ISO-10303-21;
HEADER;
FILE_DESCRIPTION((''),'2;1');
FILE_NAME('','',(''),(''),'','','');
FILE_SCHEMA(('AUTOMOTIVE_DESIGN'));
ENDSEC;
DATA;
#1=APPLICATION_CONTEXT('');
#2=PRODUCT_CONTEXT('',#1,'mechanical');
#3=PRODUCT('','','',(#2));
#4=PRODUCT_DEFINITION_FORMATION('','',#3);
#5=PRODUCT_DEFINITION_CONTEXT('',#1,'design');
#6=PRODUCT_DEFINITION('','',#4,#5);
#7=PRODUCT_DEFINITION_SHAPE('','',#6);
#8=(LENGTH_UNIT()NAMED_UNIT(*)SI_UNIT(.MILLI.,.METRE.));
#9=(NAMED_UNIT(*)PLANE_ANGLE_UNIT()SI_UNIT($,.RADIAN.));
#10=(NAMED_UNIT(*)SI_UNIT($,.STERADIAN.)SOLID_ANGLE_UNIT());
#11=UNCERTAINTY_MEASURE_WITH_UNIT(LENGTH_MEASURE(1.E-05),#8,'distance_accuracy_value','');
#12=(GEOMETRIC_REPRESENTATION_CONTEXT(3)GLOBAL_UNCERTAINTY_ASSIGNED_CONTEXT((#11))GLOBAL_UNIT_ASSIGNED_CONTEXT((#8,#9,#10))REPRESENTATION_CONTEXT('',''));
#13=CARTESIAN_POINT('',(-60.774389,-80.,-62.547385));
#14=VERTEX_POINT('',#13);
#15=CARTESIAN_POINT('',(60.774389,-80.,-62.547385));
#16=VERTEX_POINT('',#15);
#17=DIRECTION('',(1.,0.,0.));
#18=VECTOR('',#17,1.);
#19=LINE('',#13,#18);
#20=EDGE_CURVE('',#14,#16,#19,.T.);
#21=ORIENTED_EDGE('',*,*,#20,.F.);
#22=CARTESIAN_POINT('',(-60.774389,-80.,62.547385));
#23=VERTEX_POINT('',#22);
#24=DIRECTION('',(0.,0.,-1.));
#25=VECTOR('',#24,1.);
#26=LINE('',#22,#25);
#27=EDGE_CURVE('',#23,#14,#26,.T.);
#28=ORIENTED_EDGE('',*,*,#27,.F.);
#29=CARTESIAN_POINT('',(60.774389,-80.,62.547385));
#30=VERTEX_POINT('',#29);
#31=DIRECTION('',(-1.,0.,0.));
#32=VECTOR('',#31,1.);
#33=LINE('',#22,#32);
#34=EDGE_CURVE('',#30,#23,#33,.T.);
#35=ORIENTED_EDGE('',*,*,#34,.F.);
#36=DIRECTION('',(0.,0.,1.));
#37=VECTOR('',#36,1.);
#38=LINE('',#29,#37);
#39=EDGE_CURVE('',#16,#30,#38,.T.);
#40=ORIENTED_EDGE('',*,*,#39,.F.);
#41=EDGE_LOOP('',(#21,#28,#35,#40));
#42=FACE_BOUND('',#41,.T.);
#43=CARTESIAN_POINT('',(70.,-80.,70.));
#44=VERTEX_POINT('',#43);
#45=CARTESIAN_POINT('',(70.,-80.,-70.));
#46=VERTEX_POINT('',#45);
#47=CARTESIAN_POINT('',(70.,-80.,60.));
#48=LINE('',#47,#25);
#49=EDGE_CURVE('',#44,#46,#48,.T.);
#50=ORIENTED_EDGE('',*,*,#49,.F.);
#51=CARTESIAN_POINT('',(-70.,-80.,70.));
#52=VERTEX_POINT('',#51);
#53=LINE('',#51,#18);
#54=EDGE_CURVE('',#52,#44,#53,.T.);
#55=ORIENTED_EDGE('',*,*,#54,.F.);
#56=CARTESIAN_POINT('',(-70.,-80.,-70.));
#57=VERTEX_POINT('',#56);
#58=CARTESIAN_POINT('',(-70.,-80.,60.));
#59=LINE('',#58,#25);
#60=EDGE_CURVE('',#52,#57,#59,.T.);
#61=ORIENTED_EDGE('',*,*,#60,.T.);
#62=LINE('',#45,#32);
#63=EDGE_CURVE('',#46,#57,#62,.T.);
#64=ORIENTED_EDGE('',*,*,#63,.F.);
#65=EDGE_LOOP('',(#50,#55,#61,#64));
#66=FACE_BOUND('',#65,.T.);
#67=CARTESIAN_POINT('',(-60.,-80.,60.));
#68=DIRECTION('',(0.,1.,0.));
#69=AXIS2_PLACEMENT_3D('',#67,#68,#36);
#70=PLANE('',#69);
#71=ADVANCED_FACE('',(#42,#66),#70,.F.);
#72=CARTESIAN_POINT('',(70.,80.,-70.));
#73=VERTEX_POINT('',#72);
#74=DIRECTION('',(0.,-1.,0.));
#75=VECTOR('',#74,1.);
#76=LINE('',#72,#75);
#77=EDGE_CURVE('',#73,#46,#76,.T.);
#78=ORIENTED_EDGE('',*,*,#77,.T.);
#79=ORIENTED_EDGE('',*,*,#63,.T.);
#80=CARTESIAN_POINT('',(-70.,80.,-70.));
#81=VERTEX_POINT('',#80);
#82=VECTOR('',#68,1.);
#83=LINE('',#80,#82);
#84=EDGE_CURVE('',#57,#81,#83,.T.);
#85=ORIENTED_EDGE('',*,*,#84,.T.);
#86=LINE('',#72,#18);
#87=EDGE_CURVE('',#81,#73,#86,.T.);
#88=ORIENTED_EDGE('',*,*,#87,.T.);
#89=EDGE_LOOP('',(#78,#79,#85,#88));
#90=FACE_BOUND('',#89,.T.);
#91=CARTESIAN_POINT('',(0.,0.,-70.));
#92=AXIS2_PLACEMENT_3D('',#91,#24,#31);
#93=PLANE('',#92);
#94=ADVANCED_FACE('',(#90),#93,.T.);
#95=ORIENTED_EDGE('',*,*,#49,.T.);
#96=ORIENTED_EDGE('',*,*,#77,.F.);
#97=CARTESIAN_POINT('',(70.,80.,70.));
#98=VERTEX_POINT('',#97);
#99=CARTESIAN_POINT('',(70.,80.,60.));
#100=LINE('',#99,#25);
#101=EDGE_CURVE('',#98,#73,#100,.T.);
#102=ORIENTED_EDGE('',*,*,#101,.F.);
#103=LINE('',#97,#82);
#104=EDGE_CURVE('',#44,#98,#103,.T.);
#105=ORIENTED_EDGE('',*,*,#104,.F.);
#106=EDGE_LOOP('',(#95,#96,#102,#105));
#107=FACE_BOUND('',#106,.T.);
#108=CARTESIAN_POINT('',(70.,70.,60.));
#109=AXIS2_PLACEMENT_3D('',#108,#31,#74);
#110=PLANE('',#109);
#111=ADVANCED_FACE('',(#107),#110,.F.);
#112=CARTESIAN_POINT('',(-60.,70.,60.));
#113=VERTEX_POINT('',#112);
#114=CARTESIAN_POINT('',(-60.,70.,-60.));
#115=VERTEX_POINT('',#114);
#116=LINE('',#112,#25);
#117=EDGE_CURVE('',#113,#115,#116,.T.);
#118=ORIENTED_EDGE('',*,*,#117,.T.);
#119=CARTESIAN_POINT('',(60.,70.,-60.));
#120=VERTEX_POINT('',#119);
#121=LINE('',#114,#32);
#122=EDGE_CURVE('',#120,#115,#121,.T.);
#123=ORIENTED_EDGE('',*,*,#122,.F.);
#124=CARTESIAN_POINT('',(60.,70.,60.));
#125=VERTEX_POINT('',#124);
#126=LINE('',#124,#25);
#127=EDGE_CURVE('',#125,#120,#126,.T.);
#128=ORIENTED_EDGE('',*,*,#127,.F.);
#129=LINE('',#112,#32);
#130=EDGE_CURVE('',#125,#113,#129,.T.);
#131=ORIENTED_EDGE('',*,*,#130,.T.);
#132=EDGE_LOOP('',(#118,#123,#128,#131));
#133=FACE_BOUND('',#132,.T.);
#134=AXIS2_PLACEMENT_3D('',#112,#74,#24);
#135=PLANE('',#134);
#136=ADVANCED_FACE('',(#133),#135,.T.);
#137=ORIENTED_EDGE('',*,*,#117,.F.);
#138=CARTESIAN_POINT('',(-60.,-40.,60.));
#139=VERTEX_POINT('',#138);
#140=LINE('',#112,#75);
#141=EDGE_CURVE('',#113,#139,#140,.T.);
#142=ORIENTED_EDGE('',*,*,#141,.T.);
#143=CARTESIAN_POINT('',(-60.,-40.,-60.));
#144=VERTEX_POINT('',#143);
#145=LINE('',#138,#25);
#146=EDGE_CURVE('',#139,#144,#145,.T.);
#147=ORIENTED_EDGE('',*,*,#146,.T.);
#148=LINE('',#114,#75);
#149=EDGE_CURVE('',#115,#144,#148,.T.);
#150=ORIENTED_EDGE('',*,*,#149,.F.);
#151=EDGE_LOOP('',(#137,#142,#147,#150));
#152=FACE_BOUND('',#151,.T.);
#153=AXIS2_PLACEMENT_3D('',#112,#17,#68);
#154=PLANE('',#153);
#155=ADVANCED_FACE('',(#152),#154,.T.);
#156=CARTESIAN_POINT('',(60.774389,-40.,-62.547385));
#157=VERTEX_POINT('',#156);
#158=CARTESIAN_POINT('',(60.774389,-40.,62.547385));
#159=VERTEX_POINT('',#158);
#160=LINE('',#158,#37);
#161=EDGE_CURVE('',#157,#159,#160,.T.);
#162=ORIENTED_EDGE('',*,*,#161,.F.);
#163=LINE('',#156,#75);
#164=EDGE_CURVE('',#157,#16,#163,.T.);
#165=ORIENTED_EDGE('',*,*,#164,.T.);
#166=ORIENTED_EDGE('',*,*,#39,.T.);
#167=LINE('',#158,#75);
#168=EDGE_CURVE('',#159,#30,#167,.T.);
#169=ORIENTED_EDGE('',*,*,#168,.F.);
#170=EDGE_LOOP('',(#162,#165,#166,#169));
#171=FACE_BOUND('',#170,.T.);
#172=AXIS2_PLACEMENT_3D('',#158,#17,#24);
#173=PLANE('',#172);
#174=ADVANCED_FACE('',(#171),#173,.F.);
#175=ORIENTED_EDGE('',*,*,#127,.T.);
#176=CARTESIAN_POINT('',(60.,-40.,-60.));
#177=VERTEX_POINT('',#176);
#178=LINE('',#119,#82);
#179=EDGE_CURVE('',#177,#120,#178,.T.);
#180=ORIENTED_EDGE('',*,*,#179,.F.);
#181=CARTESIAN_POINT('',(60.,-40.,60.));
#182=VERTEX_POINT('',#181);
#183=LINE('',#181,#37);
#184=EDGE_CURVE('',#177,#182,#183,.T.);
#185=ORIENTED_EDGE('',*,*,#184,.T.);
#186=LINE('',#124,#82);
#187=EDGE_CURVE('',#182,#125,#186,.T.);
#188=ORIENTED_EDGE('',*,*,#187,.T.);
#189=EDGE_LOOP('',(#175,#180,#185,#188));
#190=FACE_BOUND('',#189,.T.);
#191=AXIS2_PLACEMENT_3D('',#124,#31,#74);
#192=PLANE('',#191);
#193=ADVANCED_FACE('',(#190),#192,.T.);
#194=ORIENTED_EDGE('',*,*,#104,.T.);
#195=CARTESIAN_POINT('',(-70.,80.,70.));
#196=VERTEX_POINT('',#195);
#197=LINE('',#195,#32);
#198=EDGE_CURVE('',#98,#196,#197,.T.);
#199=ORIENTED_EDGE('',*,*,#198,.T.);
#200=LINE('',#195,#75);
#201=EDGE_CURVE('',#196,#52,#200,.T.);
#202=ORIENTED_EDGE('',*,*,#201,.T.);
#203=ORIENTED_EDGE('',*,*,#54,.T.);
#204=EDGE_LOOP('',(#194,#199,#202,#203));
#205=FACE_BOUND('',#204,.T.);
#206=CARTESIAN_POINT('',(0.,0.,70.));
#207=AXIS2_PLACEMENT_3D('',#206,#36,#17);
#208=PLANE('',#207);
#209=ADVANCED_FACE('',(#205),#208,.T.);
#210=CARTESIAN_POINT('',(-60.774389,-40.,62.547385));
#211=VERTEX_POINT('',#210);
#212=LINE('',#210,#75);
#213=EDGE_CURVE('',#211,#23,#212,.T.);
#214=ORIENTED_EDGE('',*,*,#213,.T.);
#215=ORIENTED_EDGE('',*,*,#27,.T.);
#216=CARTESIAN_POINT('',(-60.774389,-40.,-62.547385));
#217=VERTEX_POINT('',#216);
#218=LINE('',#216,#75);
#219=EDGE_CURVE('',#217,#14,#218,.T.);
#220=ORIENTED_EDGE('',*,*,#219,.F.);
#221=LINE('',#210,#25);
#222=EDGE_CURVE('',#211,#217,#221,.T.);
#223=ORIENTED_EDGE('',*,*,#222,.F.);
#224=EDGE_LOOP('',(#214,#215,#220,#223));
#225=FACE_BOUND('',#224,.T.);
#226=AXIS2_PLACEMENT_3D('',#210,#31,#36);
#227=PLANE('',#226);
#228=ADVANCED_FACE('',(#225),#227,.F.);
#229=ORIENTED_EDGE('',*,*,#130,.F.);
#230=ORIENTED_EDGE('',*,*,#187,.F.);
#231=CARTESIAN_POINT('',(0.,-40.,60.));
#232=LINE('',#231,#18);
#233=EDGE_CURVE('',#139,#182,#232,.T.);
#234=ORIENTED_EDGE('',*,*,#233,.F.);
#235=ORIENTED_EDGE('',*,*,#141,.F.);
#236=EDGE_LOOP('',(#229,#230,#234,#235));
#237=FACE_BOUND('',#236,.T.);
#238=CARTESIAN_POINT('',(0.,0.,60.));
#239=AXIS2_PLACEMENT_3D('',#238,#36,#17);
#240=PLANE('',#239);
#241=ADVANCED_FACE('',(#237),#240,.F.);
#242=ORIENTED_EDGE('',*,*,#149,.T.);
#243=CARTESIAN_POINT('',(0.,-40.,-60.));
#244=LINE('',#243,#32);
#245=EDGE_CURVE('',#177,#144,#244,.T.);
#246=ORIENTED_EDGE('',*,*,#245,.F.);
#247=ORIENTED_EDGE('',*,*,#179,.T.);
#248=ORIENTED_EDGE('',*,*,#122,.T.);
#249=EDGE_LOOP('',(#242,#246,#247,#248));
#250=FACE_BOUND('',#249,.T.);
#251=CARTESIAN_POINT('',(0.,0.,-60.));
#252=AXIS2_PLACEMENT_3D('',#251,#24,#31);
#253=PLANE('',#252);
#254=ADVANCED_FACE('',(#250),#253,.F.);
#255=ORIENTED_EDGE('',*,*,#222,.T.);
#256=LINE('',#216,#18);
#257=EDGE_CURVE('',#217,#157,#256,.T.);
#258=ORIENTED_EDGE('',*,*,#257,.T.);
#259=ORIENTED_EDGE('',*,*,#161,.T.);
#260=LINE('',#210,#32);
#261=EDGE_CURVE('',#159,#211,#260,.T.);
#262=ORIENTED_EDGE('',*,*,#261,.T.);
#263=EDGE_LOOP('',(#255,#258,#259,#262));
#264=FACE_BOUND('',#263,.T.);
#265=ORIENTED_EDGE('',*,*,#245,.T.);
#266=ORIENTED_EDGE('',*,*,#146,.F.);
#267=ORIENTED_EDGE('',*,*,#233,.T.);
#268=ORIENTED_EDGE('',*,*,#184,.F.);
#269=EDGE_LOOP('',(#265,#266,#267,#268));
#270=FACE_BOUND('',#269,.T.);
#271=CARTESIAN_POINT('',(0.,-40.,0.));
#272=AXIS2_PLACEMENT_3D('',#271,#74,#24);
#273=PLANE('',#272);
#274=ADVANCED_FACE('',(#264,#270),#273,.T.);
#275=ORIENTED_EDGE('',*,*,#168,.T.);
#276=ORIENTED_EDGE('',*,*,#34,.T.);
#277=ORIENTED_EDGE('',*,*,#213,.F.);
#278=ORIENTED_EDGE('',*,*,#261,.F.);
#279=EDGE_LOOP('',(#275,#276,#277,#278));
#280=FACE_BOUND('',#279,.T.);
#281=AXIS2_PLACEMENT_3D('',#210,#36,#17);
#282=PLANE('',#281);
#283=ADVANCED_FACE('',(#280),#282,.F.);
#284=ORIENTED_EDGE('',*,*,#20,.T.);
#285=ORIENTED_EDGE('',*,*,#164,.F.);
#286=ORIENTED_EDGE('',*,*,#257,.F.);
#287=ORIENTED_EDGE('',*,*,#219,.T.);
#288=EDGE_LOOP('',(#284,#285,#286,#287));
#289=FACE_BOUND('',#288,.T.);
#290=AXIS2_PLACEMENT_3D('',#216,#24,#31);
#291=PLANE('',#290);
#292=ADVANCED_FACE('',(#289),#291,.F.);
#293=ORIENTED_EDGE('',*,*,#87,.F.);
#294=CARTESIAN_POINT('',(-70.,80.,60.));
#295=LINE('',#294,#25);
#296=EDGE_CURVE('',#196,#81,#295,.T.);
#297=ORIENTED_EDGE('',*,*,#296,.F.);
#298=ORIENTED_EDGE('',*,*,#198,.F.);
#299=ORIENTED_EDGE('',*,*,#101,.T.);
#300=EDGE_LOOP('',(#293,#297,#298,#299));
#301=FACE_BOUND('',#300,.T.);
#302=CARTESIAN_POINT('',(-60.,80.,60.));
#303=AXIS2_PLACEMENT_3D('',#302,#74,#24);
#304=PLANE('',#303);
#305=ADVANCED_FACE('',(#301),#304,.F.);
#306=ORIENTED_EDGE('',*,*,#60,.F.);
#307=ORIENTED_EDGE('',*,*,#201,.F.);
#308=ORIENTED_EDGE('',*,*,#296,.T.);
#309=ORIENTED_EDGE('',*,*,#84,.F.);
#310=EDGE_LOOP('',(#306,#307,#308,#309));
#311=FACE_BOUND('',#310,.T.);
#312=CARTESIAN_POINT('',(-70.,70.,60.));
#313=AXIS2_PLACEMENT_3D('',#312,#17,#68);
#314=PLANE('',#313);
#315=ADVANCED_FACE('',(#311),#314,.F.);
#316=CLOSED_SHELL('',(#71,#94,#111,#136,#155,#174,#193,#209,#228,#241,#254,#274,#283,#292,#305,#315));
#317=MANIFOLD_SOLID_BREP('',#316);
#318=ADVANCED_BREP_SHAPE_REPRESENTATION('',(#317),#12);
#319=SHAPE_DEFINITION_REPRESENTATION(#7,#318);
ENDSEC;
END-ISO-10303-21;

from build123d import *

# Parameters (mm, degrees)
SKETCH1_W           = 140
SKETCH1_H           = 160
SKETCH1_W_2         = 120
SKETCH1_H_2         = 140
EXTRUDE_THIN1_DEPTH = 60
SKETCH2_W           = 140
SKETCH2_H           = 160
BOSS_EXTRUDE1_DEPTH = 10
SKETCH5_W           = 140
SKETCH5_H           = 160
BOSS_EXTRUDE2_DEPTH = 10
SKETCH7_W           = 121.54877743
SKETCH7_H           = 125.094770936
CUT_EXTRUDE2_DEPTH  = 40


with BuildPart() as part:
    # Sketch1 → Extrude-Thin1 (new, symmetric)
    with BuildSketch(Plane.XY):
        Rectangle(SKETCH1_W, SKETCH1_H)
        Rectangle(SKETCH1_W_2, SKETCH1_H_2, mode=Mode.SUBTRACT)
    extrude(amount=EXTRUDE_THIN1_DEPTH, both=True)

    # Sketch2 → Boss-Extrude1 (add)
    with BuildSketch(Plane.XY.offset(60)):
        Rectangle(SKETCH2_W, SKETCH2_H)
    extrude(amount=BOSS_EXTRUDE1_DEPTH)

    # Sketch5 → Boss-Extrude2 (add)
    with BuildSketch(Plane(origin=(0, 0, -60), x_dir=(-1, 0, 0), z_dir=(0, 0, -1))):
        Rectangle(SKETCH5_W, SKETCH5_H)
    extrude(amount=BOSS_EXTRUDE2_DEPTH)

    # Sketch7 → Cut-Extrude2 (cut)
    with BuildSketch(Plane.XZ.offset(80)):
        Rectangle(SKETCH7_W, SKETCH7_H)
    extrude(amount=-CUT_EXTRUDE2_DEPTH, mode=Mode.SUBTRACT)


solid = part.part
